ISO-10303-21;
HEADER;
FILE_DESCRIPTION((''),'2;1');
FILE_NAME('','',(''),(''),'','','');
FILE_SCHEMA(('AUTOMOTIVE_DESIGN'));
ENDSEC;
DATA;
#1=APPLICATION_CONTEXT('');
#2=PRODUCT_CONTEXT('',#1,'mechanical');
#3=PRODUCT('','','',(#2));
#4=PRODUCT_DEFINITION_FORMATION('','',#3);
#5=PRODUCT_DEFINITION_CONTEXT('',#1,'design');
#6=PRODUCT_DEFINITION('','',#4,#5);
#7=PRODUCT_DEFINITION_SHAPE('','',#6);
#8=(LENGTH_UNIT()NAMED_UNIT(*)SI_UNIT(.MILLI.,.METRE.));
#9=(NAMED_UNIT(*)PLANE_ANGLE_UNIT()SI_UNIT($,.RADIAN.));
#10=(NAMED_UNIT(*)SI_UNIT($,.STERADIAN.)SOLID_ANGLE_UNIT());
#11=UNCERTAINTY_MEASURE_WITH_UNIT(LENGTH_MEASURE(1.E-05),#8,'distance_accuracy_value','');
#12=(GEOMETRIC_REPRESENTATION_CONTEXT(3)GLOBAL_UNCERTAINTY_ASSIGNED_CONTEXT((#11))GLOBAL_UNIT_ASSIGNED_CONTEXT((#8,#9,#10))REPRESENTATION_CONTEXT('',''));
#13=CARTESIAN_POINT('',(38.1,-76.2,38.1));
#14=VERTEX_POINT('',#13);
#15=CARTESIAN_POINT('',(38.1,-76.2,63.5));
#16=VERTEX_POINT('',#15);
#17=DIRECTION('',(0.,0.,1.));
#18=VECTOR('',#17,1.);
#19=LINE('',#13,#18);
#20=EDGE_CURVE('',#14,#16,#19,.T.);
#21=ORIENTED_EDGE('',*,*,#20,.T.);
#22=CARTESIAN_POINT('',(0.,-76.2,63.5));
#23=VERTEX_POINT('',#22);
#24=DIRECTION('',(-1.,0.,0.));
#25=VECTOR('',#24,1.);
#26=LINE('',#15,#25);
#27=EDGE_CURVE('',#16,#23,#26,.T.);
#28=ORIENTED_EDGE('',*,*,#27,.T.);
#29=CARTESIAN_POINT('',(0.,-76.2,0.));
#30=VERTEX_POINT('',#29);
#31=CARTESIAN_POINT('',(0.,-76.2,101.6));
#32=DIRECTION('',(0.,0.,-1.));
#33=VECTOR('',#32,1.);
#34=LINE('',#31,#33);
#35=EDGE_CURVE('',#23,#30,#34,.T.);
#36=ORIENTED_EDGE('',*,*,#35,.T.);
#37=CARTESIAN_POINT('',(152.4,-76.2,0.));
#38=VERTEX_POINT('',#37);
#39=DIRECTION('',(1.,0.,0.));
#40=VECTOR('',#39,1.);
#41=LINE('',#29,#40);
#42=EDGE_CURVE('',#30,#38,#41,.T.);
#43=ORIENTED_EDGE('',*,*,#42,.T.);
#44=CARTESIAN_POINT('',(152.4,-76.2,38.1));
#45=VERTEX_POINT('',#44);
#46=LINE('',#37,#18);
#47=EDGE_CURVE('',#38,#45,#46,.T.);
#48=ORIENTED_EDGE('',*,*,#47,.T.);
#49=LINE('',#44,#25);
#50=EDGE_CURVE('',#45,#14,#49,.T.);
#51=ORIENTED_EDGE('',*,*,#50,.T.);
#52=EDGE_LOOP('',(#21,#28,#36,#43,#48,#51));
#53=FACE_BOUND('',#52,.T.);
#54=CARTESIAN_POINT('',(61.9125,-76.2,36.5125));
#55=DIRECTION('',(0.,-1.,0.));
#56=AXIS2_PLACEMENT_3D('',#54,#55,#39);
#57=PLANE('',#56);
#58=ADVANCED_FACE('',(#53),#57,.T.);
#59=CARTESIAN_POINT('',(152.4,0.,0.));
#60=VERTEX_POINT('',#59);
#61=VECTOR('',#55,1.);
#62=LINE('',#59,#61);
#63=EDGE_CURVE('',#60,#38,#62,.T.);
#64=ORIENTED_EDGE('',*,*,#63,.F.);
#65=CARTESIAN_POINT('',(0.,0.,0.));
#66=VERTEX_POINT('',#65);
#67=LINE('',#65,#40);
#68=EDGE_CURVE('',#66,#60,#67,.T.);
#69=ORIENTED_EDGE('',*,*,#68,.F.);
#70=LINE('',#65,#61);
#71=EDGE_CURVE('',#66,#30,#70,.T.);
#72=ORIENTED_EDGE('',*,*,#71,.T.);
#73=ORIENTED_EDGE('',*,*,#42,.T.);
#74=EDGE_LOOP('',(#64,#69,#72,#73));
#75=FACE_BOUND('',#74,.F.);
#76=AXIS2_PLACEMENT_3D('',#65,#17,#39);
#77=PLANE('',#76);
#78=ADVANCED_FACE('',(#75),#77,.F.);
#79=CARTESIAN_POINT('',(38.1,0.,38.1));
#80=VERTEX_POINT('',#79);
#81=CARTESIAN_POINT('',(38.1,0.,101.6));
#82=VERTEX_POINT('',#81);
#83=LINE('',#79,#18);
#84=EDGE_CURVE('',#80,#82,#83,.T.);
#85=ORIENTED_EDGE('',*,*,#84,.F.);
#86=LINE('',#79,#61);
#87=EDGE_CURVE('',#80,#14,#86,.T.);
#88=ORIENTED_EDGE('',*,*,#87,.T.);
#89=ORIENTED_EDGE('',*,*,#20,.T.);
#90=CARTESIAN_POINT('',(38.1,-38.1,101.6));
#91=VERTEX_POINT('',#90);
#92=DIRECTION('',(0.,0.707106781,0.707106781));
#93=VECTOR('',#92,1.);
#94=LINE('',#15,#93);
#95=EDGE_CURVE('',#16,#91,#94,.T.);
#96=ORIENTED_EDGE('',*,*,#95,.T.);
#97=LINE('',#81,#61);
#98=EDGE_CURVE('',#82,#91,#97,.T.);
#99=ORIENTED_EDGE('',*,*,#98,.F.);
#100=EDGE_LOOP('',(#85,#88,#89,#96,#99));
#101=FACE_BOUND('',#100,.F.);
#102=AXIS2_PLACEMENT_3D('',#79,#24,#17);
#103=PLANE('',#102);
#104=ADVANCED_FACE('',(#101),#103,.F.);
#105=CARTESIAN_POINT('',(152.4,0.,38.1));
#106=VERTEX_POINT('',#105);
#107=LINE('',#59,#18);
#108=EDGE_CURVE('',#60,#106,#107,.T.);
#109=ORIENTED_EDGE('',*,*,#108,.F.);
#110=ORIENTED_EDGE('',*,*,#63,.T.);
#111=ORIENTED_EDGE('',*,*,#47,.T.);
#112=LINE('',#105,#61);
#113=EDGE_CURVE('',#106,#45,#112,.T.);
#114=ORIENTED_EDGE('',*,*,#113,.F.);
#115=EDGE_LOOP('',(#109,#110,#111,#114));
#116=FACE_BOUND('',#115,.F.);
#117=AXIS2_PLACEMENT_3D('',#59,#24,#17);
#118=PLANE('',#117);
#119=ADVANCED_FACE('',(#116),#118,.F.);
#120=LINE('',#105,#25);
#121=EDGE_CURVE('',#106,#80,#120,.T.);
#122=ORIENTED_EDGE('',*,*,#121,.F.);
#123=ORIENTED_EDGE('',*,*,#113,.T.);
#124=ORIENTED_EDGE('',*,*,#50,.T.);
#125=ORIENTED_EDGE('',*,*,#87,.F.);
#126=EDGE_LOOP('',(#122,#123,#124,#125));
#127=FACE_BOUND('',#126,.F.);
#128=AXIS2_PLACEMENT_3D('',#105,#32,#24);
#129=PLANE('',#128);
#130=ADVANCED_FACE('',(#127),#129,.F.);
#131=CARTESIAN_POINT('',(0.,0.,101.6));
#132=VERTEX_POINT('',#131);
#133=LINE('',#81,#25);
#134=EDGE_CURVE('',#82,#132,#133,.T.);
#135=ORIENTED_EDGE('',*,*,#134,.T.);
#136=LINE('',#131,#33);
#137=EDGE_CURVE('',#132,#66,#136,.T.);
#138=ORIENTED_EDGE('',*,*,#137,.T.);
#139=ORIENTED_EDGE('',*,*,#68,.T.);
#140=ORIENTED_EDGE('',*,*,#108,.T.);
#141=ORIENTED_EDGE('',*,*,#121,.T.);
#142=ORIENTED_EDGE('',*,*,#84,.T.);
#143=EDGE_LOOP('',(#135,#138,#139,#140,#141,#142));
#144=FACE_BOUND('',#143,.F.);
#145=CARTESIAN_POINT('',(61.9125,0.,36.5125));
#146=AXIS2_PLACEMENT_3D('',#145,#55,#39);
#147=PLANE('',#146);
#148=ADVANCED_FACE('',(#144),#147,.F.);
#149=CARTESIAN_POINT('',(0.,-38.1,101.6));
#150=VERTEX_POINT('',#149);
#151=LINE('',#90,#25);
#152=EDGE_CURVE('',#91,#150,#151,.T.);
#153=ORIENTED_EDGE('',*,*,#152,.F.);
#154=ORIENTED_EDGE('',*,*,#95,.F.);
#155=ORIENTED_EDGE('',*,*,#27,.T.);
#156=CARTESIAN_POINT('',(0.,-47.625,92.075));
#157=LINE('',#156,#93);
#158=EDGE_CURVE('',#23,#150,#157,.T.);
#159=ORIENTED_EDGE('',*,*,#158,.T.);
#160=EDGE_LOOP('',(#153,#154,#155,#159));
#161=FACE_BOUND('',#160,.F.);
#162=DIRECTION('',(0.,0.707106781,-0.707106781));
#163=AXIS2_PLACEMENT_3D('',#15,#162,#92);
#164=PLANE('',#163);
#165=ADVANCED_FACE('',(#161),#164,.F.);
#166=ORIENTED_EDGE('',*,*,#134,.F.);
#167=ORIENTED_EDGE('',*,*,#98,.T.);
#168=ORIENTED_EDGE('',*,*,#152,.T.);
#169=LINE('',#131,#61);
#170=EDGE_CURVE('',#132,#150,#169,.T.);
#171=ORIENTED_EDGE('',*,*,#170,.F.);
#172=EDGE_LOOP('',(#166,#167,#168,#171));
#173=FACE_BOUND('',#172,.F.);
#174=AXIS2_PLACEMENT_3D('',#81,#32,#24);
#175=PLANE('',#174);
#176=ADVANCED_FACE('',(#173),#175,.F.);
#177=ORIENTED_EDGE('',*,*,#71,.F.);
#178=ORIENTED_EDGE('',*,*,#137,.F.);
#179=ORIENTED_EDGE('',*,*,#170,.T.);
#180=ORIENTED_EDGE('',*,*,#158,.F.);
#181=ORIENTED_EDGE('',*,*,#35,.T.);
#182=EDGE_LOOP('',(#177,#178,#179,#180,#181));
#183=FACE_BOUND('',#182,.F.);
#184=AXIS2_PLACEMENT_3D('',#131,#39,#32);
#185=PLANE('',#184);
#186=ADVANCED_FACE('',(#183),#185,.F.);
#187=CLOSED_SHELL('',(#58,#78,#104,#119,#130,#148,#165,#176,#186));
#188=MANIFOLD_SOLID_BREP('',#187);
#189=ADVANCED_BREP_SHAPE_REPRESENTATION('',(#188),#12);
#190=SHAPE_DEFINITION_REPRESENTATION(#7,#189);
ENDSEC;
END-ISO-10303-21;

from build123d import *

# Parameters (mm, degrees)
F1_DEPTH = 76.2
F3_DEPTH = 45.72


with BuildPart() as f1:
    # F0 (on Front) → F1 (new body)
    with BuildSketch(Plane.XZ):
        Polygon((0, 101.6), (0, 0), (152.4, 0), (152.4, 38.1), (38.1, 38.1), (38.1, 101.6), align=None)
    extrude(amount=F1_DEPTH)

    # F2 (on face) → F3 (cut)
    with BuildSketch(Plane.YZ.offset(38.1)):
        Polygon((-76.2, 63.5), (-38.1, 101.6), (-76.2, 101.6), align=None)
    extrude(amount=-F3_DEPTH, mode=Mode.SUBTRACT)


solid = f1.part
